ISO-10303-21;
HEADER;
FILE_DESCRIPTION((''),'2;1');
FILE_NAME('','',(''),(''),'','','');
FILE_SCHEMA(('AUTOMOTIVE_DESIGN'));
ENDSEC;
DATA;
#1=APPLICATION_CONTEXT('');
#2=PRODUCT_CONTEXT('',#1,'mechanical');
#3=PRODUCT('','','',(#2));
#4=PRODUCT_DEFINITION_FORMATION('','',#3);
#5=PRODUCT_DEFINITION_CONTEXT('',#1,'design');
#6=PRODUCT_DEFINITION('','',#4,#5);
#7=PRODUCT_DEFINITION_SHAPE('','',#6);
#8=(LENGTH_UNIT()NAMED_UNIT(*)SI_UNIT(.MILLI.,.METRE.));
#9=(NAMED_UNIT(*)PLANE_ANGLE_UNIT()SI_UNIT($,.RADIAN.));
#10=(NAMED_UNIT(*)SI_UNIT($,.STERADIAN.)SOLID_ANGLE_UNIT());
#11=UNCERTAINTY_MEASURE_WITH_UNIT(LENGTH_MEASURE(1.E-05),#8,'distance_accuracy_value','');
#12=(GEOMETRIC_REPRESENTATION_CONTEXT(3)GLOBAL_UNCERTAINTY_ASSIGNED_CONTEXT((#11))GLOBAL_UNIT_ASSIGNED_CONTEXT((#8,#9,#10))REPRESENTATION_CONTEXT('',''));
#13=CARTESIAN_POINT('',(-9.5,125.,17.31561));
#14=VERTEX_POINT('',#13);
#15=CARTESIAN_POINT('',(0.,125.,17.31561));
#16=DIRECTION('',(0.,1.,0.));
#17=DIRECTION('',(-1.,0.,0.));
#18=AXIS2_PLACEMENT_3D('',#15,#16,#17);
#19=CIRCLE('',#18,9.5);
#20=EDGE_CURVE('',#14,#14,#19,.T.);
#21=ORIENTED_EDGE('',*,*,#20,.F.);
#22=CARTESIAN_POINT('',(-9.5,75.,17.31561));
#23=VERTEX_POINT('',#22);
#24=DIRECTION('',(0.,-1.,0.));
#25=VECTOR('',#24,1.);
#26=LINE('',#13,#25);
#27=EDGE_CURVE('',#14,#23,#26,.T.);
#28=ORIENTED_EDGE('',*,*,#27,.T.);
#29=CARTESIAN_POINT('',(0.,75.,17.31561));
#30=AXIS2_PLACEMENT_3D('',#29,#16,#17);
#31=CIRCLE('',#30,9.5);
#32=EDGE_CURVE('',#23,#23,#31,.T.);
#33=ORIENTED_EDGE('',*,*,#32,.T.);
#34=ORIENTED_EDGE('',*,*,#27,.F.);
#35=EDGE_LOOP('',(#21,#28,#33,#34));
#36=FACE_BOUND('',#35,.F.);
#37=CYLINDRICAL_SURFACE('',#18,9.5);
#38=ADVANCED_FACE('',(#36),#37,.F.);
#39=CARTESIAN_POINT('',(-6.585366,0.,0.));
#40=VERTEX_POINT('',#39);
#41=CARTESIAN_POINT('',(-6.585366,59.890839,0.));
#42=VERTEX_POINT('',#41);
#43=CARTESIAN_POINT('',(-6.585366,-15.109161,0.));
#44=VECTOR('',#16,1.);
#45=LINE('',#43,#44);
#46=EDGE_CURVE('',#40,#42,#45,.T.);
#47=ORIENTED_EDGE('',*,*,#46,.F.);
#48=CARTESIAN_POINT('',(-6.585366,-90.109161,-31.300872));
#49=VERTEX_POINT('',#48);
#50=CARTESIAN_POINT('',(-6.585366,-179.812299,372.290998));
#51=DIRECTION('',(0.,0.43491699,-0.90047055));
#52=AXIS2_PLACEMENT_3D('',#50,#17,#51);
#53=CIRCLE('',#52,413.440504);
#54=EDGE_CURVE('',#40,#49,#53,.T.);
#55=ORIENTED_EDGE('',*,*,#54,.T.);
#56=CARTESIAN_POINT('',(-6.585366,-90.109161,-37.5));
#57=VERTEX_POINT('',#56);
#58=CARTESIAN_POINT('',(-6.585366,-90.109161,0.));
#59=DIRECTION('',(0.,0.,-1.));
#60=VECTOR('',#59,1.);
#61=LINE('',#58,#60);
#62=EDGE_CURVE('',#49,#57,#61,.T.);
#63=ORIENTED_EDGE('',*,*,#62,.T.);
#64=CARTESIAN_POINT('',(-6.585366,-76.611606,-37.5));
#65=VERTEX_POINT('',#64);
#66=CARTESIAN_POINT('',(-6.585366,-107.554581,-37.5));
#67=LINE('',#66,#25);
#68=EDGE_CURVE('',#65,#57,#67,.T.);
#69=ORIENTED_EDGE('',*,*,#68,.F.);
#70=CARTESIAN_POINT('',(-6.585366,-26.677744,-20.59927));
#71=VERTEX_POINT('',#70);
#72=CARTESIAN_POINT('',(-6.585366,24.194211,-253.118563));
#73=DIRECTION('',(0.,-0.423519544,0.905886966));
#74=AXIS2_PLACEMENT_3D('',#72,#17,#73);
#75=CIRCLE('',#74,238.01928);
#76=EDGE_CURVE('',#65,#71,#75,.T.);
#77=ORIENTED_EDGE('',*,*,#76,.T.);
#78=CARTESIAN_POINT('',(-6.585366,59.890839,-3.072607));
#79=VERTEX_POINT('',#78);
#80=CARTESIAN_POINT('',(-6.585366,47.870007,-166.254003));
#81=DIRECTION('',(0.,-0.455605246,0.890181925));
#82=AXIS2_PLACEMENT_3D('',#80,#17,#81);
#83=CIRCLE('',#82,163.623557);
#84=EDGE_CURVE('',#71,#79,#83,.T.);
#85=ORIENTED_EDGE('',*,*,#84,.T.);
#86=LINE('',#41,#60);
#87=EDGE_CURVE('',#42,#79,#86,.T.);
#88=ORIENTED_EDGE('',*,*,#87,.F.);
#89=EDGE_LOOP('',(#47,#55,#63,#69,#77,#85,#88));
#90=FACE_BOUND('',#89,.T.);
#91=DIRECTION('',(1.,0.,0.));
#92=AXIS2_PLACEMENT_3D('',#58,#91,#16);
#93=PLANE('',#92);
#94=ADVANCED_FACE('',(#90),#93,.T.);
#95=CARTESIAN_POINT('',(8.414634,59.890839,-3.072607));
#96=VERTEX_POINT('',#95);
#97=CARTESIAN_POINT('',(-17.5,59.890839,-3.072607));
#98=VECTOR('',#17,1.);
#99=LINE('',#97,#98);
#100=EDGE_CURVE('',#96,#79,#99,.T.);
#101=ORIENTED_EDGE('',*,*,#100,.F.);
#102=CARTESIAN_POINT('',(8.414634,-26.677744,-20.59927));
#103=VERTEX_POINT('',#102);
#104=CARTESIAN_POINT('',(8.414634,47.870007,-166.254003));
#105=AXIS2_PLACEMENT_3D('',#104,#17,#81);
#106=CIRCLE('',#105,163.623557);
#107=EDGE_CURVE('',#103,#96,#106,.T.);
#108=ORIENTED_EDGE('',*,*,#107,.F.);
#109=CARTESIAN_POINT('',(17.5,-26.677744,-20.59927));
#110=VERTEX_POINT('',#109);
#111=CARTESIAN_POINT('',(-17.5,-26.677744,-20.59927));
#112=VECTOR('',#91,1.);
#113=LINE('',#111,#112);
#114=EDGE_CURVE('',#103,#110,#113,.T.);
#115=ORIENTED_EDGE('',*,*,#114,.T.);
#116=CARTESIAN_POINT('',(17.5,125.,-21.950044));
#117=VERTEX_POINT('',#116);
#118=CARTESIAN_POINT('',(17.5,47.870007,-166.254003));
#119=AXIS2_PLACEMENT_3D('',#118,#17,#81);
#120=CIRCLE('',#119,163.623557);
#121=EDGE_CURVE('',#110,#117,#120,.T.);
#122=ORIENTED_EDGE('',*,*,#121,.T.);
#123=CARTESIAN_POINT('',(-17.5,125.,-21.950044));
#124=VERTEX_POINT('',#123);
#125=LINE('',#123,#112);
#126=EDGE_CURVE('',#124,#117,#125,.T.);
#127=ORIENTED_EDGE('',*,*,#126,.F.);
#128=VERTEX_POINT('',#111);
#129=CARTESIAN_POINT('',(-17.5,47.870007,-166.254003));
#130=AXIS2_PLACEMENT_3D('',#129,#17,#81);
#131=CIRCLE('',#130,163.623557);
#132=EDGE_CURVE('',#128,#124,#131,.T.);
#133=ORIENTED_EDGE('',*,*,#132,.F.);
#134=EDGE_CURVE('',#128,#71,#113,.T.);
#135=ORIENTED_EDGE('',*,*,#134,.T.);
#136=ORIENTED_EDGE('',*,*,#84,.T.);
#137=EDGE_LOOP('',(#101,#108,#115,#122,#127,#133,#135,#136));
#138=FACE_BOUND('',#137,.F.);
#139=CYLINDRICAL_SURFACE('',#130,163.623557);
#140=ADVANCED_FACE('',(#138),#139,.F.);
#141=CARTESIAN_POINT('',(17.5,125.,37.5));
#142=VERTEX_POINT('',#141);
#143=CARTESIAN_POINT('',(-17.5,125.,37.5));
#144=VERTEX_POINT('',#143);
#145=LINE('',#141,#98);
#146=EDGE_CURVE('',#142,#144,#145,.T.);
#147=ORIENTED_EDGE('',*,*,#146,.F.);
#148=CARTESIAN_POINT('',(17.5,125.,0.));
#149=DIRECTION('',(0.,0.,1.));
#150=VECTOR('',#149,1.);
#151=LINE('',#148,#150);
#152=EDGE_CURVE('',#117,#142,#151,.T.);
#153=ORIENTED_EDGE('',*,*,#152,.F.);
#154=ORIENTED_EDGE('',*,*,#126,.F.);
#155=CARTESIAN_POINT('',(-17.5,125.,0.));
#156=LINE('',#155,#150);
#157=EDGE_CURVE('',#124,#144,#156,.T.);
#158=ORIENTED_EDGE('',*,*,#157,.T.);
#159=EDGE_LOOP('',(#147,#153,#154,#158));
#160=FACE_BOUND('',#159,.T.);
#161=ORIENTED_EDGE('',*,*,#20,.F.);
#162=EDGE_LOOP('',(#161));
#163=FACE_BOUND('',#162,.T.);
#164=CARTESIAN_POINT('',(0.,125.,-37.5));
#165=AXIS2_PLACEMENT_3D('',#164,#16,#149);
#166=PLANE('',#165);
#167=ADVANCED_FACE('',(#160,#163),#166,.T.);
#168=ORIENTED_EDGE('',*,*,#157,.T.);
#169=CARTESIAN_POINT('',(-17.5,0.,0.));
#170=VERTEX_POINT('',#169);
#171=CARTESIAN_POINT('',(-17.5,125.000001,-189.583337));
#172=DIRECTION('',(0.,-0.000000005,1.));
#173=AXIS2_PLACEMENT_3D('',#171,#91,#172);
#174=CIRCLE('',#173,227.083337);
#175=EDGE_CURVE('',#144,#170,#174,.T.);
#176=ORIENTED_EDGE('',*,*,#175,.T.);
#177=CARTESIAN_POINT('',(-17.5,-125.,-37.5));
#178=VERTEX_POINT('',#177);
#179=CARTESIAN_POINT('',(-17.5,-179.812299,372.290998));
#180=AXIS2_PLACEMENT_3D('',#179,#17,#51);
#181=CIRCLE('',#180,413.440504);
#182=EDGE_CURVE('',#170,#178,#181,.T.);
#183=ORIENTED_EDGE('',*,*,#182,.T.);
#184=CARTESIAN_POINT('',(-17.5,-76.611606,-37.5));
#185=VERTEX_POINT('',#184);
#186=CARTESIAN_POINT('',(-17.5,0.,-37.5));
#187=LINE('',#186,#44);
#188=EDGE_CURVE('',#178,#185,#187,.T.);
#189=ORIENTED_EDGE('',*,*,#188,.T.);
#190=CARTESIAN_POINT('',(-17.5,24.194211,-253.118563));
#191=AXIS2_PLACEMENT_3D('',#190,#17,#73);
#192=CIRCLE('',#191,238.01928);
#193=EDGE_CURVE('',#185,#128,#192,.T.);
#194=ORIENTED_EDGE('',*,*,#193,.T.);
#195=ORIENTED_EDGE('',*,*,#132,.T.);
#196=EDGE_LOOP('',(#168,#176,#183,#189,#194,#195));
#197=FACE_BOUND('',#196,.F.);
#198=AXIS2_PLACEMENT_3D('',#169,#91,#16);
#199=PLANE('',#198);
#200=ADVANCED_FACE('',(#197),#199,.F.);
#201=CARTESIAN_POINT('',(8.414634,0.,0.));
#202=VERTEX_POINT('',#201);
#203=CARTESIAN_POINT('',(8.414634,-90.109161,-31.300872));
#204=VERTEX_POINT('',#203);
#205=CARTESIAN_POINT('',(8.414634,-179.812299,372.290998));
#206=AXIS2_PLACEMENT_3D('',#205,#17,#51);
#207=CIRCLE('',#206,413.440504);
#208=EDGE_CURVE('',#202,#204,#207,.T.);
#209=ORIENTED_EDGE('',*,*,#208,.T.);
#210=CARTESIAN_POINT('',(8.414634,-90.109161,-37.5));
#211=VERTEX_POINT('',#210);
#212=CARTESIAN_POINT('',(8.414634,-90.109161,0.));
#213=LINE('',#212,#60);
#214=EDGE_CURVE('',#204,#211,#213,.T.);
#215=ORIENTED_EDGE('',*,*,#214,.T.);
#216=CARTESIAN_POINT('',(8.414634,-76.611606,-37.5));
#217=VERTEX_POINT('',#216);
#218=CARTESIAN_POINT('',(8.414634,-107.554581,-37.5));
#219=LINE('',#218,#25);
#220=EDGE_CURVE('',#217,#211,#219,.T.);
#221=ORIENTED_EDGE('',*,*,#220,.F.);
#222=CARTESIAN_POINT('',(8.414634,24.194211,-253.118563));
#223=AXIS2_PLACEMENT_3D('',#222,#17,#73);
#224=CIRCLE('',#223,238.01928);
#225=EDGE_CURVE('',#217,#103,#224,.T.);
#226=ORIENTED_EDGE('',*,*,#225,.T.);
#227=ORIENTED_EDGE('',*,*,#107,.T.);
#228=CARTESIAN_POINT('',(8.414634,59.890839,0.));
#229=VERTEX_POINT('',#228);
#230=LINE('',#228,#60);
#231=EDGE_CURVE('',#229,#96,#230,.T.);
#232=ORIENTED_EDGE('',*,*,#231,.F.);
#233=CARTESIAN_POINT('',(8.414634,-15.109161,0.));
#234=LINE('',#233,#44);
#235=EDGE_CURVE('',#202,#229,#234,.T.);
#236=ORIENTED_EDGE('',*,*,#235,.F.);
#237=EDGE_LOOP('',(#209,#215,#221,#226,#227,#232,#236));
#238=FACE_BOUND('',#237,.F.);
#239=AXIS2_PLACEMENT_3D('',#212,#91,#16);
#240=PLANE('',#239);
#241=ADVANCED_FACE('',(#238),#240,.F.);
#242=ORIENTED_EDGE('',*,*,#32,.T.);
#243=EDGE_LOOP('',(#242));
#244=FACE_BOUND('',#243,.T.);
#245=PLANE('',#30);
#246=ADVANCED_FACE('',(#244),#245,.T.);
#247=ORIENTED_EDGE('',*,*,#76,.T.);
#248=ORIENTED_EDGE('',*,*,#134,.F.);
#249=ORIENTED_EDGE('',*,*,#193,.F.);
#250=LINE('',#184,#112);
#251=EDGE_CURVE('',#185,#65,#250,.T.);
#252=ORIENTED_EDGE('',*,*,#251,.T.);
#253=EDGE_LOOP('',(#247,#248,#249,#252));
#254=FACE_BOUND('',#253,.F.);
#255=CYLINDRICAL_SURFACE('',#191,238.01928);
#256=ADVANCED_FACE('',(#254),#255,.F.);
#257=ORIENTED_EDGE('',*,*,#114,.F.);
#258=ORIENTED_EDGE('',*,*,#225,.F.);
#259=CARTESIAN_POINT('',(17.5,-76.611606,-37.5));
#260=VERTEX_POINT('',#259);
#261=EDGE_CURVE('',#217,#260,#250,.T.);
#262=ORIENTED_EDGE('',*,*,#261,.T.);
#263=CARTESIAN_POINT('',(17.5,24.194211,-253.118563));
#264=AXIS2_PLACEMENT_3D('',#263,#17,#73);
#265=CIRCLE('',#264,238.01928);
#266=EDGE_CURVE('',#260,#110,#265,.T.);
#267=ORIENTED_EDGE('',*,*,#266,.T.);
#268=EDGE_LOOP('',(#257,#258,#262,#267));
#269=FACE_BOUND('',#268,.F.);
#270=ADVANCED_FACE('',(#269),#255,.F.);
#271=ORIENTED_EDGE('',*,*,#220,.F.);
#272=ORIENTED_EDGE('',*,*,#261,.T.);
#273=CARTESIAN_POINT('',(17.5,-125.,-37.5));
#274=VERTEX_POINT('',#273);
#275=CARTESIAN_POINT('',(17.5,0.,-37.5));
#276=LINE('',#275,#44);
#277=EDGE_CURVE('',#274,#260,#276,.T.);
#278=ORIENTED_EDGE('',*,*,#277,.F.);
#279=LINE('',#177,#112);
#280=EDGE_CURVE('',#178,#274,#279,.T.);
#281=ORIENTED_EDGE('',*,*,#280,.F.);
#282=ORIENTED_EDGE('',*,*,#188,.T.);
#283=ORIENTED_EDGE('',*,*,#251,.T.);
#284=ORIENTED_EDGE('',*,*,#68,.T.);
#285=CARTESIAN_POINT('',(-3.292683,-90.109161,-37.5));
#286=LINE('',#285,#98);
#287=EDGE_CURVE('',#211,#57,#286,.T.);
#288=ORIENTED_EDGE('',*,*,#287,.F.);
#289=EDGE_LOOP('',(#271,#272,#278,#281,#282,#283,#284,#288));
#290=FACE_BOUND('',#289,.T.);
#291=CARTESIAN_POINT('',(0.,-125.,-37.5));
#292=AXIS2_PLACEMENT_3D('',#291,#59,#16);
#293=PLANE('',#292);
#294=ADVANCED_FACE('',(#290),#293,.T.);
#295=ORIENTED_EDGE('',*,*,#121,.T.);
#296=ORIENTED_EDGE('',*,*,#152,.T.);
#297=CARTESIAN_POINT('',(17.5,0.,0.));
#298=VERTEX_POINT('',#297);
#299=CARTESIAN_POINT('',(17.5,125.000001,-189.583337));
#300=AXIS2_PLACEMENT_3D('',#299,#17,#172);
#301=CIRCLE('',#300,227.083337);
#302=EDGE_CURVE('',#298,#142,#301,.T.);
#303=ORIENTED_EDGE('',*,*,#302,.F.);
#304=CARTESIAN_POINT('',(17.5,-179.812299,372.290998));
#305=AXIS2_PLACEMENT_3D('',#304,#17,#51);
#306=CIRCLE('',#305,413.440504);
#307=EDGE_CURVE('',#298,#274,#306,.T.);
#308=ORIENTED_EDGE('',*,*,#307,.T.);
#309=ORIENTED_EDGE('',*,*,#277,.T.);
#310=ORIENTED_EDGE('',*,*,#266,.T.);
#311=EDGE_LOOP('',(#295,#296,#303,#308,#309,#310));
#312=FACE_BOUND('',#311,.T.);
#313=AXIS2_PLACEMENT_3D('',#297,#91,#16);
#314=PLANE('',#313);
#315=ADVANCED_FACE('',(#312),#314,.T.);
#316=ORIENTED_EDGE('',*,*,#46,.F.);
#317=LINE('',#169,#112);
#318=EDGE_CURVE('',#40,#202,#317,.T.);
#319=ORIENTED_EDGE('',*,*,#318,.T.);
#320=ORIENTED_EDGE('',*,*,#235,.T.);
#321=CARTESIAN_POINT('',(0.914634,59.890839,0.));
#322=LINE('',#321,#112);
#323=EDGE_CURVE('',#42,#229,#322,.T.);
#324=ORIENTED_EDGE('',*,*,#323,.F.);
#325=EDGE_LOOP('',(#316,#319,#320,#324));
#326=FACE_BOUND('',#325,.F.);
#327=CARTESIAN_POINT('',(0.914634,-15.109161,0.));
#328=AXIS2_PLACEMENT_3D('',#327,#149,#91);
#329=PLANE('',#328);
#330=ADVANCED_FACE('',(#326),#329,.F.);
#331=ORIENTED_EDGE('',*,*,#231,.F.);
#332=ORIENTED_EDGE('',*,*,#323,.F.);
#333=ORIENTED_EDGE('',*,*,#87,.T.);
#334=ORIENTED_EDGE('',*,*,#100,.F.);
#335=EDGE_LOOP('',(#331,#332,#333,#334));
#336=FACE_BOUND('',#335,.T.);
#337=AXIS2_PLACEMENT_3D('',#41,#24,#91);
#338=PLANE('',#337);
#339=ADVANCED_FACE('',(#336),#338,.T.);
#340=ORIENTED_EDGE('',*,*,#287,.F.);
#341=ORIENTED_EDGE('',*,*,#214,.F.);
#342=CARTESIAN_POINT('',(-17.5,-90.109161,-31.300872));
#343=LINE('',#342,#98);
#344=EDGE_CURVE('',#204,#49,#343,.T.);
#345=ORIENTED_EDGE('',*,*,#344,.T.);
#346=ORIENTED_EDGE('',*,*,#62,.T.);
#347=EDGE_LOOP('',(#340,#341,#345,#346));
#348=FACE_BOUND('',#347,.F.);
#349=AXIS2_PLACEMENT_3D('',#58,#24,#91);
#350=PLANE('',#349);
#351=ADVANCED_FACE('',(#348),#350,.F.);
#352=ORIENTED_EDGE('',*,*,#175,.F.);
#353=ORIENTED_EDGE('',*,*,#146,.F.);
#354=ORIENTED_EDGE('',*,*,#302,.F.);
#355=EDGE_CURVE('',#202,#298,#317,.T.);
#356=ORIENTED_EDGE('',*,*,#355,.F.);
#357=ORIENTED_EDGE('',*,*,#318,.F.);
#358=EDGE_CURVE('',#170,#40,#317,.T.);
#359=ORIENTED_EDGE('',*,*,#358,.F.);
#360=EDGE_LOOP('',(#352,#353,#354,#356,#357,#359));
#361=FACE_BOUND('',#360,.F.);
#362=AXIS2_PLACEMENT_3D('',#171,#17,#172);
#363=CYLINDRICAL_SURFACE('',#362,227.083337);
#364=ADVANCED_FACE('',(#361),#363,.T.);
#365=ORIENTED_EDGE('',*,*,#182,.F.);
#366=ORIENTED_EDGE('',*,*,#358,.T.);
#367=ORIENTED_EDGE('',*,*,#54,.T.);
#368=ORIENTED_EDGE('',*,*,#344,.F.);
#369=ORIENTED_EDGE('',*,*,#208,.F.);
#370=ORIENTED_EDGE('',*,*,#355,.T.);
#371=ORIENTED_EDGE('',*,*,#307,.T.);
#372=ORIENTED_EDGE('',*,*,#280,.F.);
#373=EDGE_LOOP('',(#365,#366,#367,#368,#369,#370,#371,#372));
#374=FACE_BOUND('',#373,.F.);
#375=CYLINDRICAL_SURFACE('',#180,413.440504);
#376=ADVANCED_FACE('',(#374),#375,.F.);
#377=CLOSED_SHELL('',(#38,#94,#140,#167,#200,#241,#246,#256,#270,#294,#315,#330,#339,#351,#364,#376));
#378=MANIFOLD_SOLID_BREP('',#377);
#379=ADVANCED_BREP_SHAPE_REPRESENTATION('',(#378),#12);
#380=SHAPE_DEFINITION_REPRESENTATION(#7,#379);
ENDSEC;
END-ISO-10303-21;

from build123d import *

# Parameters (mm, degrees)
F0_W     = 250
F0_H     = 75
F1_DEPTH = 17.5
F3_DEPTH = 35.001
F4_R     = 9.5
F5_DEPTH = 50
F6_W     = 15
F6_H     = 150
F7_DEPTH = 37.501


with BuildPart() as f1:
    # F0 (on Right) → F1 (new body, symmetric)
    with BuildSketch(Plane.YZ):
        Rectangle(F0_W, F0_H)
    extrude(amount=F1_DEPTH, both=True)

    # F2 (on face) → F3 (cut, through all)
    with BuildSketch(Plane(origin=(-17.5, 0, 0), x_dir=(0, -1, 0), z_dir=(-1, 0, 0))):
        with BuildLine():
            ThreePointArc((-125, 37.5), (-59.748084, 27.923052), (0, 0))
            ThreePointArc((0, 0), (61.011045, -23.713184), (125, -37.5))
            Line((125, -37.5), (125, 37.5))
            Line((125, 37.5), (-125, 37.5))
        make_face()
        with BuildLine():
            Line((-125, -37.5), (76.611606, -37.5))
            ThreePointArc((76.611606, -37.5), (52.114015, -27.662953), (26.677744, -20.59927))
            ThreePointArc((26.677744, -20.59927), (-50.552427, -16.563242), (-125, -37.5))
        make_face()
        with BuildLine():
            ThreePointArc((26.677744, -20.59927), (-49.327107, -2.636934), (-125, -21.950044))
            Line((-125, -21.950044), (-125, -37.5))
            ThreePointArc((-125, -37.5), (-50.552427, -16.563242), (26.677744, -20.59927))
        make_face()
    extrude(amount=-F3_DEPTH, mode=Mode.SUBTRACT)

    # F4 (on face) → F5 (cut)
    with BuildSketch(Plane(origin=(0, 125, 0), x_dir=(-1, 0, 0), z_dir=(0, 1, 0))):
        with Locations((0, 17.31561)):
            Circle(F4_R)
    extrude(amount=-F5_DEPTH, mode=Mode.SUBTRACT)

    # F6 (on Top) → F7 (cut, through all)
    with BuildSketch(Plane.XY):
        with Locations((0.914634, -15.109161)):
            Rectangle(F6_W, F6_H)
    extrude(amount=-F7_DEPTH, mode=Mode.SUBTRACT)


solid = f1.part
